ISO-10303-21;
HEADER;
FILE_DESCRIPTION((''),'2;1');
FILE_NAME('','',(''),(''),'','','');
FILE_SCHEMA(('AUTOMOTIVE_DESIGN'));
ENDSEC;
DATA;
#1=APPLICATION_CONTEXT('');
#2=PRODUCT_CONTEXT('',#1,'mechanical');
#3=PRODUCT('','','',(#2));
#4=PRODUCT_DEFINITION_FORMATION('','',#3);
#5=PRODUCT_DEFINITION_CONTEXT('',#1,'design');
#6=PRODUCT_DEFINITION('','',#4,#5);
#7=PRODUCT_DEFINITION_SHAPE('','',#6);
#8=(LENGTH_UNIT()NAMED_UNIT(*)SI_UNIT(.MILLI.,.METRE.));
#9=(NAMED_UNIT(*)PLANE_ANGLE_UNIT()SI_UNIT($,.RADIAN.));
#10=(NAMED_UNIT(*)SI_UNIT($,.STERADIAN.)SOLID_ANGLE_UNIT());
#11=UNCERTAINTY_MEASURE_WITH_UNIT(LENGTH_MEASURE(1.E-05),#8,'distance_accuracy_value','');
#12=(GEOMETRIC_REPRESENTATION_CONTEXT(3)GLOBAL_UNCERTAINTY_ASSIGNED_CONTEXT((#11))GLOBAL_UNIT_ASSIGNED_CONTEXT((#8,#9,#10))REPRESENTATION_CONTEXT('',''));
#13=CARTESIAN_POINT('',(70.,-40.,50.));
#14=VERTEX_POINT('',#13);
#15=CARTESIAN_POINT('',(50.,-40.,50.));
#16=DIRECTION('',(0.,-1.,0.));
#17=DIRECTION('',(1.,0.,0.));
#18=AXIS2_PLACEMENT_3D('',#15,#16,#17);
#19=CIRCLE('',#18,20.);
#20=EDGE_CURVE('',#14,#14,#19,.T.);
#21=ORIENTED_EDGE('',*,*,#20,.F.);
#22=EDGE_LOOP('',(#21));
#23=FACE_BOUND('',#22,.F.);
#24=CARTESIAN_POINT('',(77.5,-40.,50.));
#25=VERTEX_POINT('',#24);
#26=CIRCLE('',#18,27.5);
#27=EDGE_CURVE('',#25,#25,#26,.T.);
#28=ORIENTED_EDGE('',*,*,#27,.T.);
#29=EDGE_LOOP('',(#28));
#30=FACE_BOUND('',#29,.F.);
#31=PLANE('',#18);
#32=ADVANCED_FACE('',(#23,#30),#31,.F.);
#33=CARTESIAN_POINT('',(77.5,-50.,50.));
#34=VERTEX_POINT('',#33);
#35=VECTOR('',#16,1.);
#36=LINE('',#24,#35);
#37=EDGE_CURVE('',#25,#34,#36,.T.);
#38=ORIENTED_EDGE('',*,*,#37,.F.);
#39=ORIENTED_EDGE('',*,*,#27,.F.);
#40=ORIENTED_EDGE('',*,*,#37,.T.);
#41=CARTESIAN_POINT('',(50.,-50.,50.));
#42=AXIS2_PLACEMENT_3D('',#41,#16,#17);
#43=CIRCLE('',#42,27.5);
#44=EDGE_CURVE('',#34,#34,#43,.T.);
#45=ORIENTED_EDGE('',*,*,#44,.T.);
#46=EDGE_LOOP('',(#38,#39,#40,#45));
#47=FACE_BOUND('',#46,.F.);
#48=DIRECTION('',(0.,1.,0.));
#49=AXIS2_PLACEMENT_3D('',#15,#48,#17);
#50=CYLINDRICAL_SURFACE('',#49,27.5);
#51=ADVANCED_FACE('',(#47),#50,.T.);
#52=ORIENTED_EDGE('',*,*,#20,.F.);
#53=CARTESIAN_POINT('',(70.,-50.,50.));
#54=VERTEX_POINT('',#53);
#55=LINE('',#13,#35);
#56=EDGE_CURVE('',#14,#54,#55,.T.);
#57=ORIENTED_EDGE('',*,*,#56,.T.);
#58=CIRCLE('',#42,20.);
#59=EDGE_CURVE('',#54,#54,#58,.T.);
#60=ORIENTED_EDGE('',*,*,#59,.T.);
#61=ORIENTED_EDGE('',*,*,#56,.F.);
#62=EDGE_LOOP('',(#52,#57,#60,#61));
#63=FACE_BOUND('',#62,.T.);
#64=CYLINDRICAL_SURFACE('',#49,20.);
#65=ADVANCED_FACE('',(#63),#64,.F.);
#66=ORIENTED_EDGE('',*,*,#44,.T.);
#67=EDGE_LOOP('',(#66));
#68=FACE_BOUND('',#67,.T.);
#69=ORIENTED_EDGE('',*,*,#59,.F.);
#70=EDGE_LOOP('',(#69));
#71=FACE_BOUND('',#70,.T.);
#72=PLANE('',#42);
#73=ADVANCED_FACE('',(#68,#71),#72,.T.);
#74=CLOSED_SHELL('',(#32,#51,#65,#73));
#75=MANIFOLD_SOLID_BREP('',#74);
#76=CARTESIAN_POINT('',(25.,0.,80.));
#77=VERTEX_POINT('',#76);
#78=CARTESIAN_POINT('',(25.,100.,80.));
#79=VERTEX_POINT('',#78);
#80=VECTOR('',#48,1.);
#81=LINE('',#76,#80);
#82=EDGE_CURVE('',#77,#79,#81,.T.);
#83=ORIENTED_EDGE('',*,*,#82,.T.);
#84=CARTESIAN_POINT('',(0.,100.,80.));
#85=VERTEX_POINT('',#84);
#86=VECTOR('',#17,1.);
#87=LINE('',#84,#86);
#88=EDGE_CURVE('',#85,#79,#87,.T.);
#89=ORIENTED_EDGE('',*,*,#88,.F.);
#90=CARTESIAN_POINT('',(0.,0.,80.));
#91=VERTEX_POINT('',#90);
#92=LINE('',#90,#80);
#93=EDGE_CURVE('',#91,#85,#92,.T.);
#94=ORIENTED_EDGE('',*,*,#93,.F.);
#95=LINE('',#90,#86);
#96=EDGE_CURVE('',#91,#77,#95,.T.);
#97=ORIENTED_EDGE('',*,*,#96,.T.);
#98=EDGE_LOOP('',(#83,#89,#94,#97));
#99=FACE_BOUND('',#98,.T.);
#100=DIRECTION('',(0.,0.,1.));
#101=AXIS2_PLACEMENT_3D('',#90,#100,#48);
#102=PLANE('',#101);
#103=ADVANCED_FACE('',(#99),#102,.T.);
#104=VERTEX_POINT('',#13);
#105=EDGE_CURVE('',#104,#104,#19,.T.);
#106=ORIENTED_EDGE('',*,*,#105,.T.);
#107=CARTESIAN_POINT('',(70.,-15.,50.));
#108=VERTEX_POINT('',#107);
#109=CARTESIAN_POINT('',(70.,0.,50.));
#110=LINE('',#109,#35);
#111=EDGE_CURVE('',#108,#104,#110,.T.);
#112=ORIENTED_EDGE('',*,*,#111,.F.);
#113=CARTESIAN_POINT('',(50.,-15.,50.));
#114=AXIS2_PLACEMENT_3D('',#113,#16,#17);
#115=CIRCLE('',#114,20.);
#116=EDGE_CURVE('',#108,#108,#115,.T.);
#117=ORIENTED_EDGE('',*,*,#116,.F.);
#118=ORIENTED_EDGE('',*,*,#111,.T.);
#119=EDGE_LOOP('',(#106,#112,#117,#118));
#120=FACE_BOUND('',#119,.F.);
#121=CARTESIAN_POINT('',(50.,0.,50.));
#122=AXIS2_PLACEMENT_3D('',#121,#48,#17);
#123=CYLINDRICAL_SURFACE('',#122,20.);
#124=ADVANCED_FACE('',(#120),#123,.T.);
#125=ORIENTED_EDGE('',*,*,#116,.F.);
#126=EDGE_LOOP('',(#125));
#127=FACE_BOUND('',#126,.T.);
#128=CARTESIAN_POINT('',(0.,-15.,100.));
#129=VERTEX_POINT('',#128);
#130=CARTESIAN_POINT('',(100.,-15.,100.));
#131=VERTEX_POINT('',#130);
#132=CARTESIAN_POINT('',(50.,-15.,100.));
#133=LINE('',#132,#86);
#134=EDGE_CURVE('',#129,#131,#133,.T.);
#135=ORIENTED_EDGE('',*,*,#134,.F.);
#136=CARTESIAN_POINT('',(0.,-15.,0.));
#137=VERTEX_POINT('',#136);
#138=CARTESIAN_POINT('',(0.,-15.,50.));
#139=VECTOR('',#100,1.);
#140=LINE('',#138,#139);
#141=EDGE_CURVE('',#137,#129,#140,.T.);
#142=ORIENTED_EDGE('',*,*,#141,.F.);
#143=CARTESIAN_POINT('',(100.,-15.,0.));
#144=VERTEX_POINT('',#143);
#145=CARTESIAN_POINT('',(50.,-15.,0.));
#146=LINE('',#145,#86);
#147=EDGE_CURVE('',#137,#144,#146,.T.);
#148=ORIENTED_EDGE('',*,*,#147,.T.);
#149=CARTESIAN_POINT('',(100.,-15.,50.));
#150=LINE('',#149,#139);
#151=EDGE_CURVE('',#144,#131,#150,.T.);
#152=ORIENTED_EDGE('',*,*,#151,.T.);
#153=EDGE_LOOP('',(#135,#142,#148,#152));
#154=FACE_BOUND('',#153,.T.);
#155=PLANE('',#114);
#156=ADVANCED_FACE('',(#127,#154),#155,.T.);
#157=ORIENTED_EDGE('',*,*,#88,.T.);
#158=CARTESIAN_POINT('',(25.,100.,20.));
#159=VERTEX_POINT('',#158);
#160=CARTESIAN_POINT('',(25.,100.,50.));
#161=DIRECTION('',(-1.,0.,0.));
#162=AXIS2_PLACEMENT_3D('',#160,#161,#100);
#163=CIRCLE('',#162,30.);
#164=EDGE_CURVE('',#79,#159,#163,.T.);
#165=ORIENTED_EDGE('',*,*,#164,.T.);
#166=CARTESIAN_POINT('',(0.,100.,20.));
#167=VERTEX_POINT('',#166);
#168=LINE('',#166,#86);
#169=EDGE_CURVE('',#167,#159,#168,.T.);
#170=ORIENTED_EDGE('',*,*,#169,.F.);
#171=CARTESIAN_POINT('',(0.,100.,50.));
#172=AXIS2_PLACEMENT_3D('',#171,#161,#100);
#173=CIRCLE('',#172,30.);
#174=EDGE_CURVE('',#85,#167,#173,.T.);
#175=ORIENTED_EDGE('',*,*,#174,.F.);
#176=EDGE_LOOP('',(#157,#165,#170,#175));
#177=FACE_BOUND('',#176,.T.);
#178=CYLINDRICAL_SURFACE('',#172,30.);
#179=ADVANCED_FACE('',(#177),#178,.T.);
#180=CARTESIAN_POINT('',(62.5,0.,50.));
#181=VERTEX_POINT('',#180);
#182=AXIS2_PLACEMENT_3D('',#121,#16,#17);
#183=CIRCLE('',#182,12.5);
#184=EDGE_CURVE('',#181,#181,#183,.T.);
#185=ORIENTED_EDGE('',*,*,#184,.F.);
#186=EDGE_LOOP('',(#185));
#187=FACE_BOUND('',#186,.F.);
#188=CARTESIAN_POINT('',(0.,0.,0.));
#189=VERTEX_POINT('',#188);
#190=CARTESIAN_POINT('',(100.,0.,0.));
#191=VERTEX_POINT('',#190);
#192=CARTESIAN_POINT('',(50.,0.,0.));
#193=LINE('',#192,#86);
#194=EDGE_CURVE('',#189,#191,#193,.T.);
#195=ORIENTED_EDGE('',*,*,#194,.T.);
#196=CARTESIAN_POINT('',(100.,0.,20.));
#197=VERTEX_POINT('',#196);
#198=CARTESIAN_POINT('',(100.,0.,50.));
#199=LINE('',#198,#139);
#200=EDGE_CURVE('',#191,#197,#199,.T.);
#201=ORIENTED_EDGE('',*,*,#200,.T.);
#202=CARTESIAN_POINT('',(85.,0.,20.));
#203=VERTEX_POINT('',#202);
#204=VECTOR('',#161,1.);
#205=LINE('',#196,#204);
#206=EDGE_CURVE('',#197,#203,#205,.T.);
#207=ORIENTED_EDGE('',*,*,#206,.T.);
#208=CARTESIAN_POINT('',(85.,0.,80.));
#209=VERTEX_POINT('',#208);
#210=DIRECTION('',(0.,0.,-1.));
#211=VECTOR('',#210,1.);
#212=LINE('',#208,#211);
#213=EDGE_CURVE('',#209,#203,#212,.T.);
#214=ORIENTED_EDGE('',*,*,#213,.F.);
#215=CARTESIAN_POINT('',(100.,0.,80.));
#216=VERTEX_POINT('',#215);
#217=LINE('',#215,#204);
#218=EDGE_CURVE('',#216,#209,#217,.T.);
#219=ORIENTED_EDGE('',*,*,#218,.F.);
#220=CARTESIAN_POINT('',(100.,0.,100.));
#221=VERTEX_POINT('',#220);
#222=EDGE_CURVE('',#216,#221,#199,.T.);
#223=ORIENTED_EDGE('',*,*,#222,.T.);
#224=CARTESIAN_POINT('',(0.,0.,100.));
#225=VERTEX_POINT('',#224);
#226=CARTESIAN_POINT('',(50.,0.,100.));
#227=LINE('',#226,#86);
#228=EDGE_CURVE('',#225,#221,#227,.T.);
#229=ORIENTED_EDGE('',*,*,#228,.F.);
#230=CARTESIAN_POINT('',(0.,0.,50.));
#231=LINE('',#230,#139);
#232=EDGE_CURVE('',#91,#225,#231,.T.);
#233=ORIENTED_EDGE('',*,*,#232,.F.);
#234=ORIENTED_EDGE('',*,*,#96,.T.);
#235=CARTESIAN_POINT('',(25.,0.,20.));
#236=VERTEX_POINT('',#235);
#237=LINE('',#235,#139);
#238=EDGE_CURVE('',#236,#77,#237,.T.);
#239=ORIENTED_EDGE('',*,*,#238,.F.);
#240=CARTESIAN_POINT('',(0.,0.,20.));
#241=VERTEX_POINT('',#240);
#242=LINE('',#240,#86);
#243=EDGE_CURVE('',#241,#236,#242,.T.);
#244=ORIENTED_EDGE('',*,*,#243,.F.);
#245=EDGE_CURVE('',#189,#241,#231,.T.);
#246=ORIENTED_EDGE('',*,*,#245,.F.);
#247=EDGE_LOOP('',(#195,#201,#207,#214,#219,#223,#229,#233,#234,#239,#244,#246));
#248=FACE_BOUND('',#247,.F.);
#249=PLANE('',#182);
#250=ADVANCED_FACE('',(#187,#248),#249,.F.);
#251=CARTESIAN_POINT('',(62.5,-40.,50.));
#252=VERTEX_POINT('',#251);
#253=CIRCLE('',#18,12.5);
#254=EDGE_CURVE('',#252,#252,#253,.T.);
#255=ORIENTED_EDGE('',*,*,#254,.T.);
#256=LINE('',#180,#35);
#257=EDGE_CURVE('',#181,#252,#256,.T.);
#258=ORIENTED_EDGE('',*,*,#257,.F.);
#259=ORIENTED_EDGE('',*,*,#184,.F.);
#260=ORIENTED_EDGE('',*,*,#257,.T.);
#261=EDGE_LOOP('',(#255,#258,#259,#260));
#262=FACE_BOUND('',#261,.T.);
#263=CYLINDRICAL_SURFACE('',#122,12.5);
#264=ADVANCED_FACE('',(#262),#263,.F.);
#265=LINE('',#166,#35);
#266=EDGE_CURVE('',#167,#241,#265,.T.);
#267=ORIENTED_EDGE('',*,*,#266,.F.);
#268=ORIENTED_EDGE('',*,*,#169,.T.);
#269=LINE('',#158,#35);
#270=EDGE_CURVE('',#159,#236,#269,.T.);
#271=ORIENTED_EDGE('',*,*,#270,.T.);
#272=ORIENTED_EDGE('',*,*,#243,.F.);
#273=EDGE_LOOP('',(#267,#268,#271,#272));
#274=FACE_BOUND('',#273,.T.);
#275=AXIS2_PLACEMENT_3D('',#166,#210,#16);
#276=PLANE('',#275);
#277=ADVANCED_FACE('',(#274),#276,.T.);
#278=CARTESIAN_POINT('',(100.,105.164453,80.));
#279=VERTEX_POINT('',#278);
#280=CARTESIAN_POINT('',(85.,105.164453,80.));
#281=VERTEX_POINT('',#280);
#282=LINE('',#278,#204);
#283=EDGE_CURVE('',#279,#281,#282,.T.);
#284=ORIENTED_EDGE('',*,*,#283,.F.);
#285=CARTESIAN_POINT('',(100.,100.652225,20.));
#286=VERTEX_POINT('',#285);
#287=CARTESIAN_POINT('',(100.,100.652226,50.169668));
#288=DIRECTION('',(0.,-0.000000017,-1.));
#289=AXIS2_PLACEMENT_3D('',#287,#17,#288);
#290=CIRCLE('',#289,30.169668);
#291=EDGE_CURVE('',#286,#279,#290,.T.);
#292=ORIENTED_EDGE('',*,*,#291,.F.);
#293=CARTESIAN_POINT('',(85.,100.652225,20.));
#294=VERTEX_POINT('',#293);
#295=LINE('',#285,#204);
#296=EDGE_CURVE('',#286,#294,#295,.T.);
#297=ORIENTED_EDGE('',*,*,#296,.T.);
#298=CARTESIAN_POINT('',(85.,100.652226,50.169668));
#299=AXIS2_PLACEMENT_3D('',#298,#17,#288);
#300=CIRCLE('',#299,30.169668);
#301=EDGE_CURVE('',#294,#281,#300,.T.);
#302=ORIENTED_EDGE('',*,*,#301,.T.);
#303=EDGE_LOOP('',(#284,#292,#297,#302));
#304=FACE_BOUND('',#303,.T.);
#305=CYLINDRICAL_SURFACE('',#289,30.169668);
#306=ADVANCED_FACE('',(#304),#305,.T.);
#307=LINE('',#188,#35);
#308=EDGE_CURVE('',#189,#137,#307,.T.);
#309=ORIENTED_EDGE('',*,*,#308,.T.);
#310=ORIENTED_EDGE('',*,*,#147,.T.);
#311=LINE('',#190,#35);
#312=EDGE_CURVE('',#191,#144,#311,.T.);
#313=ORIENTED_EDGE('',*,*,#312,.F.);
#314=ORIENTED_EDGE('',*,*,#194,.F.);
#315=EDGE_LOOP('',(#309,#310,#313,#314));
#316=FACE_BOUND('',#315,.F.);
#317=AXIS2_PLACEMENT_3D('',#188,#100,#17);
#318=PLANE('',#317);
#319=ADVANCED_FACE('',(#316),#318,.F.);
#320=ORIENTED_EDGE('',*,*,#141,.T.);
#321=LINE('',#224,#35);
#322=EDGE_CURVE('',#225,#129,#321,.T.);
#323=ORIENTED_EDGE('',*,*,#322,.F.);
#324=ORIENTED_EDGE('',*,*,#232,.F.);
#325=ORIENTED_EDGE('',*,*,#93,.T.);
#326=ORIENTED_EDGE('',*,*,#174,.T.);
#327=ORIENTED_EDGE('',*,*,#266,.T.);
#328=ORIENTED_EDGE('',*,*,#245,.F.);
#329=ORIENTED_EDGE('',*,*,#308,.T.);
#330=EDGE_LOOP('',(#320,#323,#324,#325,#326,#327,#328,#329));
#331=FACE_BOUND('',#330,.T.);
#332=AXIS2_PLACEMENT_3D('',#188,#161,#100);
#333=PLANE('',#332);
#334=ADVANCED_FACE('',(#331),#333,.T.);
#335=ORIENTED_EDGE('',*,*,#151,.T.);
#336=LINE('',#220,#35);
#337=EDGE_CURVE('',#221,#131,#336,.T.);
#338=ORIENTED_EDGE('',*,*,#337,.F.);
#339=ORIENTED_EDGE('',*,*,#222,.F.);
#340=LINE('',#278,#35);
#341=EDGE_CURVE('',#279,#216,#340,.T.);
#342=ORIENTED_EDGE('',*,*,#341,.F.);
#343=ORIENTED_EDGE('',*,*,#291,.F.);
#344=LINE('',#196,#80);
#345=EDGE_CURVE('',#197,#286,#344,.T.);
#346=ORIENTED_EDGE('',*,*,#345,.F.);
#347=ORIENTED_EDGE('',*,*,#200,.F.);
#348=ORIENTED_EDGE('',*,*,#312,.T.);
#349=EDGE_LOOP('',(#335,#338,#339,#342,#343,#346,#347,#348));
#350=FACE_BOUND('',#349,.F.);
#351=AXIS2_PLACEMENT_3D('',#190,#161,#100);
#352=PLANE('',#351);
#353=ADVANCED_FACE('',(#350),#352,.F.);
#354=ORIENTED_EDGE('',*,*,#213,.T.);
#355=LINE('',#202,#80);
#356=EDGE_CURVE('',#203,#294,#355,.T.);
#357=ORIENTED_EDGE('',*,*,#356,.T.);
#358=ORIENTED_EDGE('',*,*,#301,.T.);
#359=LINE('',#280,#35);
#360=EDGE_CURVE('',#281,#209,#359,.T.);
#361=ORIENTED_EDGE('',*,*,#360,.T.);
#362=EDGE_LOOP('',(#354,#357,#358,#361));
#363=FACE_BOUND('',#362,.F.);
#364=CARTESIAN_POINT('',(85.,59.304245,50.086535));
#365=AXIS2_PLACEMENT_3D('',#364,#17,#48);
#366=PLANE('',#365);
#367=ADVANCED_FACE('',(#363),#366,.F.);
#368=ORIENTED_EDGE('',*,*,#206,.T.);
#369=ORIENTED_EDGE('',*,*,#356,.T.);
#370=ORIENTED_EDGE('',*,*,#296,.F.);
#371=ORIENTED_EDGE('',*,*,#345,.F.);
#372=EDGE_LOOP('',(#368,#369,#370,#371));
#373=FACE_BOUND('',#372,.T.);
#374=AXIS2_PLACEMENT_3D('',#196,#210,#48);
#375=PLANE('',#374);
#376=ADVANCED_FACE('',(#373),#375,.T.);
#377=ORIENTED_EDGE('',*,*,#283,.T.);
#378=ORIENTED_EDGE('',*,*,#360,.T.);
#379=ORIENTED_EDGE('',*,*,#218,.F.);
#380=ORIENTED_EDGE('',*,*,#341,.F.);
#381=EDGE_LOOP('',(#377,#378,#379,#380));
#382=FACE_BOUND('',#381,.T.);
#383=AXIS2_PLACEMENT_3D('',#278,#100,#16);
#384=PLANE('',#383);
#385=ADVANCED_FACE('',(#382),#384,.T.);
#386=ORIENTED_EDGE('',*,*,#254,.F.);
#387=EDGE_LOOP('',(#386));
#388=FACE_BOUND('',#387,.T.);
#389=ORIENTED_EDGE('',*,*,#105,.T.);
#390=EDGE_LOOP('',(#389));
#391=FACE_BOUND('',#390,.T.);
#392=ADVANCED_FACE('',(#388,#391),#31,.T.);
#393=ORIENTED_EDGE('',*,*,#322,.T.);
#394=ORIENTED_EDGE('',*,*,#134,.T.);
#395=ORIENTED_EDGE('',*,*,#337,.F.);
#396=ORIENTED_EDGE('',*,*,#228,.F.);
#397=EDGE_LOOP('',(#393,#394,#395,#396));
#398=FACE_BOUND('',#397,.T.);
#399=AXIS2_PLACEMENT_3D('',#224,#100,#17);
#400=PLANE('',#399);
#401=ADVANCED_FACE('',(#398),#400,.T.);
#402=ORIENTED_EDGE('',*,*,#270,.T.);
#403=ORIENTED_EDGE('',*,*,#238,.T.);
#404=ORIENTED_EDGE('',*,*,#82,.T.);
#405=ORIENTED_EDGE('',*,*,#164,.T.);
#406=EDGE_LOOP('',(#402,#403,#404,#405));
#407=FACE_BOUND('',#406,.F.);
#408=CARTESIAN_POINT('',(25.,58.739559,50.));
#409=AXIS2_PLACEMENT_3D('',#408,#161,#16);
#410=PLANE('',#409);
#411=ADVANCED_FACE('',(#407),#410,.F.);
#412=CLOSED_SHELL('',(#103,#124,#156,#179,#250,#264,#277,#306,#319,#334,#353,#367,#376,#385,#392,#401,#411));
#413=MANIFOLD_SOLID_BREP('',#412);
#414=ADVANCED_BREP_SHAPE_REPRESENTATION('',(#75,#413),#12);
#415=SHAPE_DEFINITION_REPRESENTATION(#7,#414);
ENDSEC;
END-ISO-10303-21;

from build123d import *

# Parameters (mm, degrees)
F0_W     = 100
F0_H     = 100
F0_R     = 20
F1_DEPTH = 15
F0_R_2   = 12.5
F2_DEPTH = 40
F3_R     = 27.5
F3_R_2   = 20
F4_DEPTH = 10
F6_DEPTH = 15
F8_DEPTH = 25


with BuildPart() as f1:
    # F0 (on Front) → F1 (new body)
    with BuildSketch(Plane.XZ):
        with Locations((50, 50)):
            Rectangle(F0_W, F0_H)
        with Locations((50, 50)):
            Circle(F0_R, mode=Mode.SUBTRACT)
    extrude(amount=F1_DEPTH)

    # F0 (on Front) → F2 (join)
    with BuildSketch(Plane.XZ):
        with Locations((50, 50)):
            Circle(F0_R)
        with Locations((50, 50)):
            Circle(F0_R_2, mode=Mode.SUBTRACT)
    extrude(amount=F2_DEPTH)

    # F3 (on face) → F4 (join)
    with BuildSketch(Plane.XZ.offset(40)):
        with Locations((50, 50)):
            Circle(F3_R)
        with Locations((50, 50)):
            Circle(F3_R_2, mode=Mode.SUBTRACT)
    extrude(amount=F4_DEPTH)

    # F5 (on face) → F6 (join)
    with BuildSketch(Plane.YZ.offset(100)):
        with BuildLine():
            Line((105.164453, 80), (0, 80))
            Line((0, 80), (0, 20))
            Line((0, 20), (100.652225, 20))
            ThreePointArc((100.652225, 20), (130.73694, 47.907183), (105.164453, 80))
        make_face()
    extrude(amount=-F6_DEPTH)

    # F7 (on face) → F8 (join)
    with BuildSketch(Plane(origin=(0, 0, 0), x_dir=(0, -1, 0), z_dir=(-1, 0, 0))):
        with BuildLine():
            Line((0, 20), (0, 80))
            Line((0, 80), (-100, 80))
            ThreePointArc((-100, 80), (-130, 50), (-100, 20))
            Line((-100, 20), (0, 20))
        make_face()
    extrude(amount=-F8_DEPTH)


solid = f1.part
